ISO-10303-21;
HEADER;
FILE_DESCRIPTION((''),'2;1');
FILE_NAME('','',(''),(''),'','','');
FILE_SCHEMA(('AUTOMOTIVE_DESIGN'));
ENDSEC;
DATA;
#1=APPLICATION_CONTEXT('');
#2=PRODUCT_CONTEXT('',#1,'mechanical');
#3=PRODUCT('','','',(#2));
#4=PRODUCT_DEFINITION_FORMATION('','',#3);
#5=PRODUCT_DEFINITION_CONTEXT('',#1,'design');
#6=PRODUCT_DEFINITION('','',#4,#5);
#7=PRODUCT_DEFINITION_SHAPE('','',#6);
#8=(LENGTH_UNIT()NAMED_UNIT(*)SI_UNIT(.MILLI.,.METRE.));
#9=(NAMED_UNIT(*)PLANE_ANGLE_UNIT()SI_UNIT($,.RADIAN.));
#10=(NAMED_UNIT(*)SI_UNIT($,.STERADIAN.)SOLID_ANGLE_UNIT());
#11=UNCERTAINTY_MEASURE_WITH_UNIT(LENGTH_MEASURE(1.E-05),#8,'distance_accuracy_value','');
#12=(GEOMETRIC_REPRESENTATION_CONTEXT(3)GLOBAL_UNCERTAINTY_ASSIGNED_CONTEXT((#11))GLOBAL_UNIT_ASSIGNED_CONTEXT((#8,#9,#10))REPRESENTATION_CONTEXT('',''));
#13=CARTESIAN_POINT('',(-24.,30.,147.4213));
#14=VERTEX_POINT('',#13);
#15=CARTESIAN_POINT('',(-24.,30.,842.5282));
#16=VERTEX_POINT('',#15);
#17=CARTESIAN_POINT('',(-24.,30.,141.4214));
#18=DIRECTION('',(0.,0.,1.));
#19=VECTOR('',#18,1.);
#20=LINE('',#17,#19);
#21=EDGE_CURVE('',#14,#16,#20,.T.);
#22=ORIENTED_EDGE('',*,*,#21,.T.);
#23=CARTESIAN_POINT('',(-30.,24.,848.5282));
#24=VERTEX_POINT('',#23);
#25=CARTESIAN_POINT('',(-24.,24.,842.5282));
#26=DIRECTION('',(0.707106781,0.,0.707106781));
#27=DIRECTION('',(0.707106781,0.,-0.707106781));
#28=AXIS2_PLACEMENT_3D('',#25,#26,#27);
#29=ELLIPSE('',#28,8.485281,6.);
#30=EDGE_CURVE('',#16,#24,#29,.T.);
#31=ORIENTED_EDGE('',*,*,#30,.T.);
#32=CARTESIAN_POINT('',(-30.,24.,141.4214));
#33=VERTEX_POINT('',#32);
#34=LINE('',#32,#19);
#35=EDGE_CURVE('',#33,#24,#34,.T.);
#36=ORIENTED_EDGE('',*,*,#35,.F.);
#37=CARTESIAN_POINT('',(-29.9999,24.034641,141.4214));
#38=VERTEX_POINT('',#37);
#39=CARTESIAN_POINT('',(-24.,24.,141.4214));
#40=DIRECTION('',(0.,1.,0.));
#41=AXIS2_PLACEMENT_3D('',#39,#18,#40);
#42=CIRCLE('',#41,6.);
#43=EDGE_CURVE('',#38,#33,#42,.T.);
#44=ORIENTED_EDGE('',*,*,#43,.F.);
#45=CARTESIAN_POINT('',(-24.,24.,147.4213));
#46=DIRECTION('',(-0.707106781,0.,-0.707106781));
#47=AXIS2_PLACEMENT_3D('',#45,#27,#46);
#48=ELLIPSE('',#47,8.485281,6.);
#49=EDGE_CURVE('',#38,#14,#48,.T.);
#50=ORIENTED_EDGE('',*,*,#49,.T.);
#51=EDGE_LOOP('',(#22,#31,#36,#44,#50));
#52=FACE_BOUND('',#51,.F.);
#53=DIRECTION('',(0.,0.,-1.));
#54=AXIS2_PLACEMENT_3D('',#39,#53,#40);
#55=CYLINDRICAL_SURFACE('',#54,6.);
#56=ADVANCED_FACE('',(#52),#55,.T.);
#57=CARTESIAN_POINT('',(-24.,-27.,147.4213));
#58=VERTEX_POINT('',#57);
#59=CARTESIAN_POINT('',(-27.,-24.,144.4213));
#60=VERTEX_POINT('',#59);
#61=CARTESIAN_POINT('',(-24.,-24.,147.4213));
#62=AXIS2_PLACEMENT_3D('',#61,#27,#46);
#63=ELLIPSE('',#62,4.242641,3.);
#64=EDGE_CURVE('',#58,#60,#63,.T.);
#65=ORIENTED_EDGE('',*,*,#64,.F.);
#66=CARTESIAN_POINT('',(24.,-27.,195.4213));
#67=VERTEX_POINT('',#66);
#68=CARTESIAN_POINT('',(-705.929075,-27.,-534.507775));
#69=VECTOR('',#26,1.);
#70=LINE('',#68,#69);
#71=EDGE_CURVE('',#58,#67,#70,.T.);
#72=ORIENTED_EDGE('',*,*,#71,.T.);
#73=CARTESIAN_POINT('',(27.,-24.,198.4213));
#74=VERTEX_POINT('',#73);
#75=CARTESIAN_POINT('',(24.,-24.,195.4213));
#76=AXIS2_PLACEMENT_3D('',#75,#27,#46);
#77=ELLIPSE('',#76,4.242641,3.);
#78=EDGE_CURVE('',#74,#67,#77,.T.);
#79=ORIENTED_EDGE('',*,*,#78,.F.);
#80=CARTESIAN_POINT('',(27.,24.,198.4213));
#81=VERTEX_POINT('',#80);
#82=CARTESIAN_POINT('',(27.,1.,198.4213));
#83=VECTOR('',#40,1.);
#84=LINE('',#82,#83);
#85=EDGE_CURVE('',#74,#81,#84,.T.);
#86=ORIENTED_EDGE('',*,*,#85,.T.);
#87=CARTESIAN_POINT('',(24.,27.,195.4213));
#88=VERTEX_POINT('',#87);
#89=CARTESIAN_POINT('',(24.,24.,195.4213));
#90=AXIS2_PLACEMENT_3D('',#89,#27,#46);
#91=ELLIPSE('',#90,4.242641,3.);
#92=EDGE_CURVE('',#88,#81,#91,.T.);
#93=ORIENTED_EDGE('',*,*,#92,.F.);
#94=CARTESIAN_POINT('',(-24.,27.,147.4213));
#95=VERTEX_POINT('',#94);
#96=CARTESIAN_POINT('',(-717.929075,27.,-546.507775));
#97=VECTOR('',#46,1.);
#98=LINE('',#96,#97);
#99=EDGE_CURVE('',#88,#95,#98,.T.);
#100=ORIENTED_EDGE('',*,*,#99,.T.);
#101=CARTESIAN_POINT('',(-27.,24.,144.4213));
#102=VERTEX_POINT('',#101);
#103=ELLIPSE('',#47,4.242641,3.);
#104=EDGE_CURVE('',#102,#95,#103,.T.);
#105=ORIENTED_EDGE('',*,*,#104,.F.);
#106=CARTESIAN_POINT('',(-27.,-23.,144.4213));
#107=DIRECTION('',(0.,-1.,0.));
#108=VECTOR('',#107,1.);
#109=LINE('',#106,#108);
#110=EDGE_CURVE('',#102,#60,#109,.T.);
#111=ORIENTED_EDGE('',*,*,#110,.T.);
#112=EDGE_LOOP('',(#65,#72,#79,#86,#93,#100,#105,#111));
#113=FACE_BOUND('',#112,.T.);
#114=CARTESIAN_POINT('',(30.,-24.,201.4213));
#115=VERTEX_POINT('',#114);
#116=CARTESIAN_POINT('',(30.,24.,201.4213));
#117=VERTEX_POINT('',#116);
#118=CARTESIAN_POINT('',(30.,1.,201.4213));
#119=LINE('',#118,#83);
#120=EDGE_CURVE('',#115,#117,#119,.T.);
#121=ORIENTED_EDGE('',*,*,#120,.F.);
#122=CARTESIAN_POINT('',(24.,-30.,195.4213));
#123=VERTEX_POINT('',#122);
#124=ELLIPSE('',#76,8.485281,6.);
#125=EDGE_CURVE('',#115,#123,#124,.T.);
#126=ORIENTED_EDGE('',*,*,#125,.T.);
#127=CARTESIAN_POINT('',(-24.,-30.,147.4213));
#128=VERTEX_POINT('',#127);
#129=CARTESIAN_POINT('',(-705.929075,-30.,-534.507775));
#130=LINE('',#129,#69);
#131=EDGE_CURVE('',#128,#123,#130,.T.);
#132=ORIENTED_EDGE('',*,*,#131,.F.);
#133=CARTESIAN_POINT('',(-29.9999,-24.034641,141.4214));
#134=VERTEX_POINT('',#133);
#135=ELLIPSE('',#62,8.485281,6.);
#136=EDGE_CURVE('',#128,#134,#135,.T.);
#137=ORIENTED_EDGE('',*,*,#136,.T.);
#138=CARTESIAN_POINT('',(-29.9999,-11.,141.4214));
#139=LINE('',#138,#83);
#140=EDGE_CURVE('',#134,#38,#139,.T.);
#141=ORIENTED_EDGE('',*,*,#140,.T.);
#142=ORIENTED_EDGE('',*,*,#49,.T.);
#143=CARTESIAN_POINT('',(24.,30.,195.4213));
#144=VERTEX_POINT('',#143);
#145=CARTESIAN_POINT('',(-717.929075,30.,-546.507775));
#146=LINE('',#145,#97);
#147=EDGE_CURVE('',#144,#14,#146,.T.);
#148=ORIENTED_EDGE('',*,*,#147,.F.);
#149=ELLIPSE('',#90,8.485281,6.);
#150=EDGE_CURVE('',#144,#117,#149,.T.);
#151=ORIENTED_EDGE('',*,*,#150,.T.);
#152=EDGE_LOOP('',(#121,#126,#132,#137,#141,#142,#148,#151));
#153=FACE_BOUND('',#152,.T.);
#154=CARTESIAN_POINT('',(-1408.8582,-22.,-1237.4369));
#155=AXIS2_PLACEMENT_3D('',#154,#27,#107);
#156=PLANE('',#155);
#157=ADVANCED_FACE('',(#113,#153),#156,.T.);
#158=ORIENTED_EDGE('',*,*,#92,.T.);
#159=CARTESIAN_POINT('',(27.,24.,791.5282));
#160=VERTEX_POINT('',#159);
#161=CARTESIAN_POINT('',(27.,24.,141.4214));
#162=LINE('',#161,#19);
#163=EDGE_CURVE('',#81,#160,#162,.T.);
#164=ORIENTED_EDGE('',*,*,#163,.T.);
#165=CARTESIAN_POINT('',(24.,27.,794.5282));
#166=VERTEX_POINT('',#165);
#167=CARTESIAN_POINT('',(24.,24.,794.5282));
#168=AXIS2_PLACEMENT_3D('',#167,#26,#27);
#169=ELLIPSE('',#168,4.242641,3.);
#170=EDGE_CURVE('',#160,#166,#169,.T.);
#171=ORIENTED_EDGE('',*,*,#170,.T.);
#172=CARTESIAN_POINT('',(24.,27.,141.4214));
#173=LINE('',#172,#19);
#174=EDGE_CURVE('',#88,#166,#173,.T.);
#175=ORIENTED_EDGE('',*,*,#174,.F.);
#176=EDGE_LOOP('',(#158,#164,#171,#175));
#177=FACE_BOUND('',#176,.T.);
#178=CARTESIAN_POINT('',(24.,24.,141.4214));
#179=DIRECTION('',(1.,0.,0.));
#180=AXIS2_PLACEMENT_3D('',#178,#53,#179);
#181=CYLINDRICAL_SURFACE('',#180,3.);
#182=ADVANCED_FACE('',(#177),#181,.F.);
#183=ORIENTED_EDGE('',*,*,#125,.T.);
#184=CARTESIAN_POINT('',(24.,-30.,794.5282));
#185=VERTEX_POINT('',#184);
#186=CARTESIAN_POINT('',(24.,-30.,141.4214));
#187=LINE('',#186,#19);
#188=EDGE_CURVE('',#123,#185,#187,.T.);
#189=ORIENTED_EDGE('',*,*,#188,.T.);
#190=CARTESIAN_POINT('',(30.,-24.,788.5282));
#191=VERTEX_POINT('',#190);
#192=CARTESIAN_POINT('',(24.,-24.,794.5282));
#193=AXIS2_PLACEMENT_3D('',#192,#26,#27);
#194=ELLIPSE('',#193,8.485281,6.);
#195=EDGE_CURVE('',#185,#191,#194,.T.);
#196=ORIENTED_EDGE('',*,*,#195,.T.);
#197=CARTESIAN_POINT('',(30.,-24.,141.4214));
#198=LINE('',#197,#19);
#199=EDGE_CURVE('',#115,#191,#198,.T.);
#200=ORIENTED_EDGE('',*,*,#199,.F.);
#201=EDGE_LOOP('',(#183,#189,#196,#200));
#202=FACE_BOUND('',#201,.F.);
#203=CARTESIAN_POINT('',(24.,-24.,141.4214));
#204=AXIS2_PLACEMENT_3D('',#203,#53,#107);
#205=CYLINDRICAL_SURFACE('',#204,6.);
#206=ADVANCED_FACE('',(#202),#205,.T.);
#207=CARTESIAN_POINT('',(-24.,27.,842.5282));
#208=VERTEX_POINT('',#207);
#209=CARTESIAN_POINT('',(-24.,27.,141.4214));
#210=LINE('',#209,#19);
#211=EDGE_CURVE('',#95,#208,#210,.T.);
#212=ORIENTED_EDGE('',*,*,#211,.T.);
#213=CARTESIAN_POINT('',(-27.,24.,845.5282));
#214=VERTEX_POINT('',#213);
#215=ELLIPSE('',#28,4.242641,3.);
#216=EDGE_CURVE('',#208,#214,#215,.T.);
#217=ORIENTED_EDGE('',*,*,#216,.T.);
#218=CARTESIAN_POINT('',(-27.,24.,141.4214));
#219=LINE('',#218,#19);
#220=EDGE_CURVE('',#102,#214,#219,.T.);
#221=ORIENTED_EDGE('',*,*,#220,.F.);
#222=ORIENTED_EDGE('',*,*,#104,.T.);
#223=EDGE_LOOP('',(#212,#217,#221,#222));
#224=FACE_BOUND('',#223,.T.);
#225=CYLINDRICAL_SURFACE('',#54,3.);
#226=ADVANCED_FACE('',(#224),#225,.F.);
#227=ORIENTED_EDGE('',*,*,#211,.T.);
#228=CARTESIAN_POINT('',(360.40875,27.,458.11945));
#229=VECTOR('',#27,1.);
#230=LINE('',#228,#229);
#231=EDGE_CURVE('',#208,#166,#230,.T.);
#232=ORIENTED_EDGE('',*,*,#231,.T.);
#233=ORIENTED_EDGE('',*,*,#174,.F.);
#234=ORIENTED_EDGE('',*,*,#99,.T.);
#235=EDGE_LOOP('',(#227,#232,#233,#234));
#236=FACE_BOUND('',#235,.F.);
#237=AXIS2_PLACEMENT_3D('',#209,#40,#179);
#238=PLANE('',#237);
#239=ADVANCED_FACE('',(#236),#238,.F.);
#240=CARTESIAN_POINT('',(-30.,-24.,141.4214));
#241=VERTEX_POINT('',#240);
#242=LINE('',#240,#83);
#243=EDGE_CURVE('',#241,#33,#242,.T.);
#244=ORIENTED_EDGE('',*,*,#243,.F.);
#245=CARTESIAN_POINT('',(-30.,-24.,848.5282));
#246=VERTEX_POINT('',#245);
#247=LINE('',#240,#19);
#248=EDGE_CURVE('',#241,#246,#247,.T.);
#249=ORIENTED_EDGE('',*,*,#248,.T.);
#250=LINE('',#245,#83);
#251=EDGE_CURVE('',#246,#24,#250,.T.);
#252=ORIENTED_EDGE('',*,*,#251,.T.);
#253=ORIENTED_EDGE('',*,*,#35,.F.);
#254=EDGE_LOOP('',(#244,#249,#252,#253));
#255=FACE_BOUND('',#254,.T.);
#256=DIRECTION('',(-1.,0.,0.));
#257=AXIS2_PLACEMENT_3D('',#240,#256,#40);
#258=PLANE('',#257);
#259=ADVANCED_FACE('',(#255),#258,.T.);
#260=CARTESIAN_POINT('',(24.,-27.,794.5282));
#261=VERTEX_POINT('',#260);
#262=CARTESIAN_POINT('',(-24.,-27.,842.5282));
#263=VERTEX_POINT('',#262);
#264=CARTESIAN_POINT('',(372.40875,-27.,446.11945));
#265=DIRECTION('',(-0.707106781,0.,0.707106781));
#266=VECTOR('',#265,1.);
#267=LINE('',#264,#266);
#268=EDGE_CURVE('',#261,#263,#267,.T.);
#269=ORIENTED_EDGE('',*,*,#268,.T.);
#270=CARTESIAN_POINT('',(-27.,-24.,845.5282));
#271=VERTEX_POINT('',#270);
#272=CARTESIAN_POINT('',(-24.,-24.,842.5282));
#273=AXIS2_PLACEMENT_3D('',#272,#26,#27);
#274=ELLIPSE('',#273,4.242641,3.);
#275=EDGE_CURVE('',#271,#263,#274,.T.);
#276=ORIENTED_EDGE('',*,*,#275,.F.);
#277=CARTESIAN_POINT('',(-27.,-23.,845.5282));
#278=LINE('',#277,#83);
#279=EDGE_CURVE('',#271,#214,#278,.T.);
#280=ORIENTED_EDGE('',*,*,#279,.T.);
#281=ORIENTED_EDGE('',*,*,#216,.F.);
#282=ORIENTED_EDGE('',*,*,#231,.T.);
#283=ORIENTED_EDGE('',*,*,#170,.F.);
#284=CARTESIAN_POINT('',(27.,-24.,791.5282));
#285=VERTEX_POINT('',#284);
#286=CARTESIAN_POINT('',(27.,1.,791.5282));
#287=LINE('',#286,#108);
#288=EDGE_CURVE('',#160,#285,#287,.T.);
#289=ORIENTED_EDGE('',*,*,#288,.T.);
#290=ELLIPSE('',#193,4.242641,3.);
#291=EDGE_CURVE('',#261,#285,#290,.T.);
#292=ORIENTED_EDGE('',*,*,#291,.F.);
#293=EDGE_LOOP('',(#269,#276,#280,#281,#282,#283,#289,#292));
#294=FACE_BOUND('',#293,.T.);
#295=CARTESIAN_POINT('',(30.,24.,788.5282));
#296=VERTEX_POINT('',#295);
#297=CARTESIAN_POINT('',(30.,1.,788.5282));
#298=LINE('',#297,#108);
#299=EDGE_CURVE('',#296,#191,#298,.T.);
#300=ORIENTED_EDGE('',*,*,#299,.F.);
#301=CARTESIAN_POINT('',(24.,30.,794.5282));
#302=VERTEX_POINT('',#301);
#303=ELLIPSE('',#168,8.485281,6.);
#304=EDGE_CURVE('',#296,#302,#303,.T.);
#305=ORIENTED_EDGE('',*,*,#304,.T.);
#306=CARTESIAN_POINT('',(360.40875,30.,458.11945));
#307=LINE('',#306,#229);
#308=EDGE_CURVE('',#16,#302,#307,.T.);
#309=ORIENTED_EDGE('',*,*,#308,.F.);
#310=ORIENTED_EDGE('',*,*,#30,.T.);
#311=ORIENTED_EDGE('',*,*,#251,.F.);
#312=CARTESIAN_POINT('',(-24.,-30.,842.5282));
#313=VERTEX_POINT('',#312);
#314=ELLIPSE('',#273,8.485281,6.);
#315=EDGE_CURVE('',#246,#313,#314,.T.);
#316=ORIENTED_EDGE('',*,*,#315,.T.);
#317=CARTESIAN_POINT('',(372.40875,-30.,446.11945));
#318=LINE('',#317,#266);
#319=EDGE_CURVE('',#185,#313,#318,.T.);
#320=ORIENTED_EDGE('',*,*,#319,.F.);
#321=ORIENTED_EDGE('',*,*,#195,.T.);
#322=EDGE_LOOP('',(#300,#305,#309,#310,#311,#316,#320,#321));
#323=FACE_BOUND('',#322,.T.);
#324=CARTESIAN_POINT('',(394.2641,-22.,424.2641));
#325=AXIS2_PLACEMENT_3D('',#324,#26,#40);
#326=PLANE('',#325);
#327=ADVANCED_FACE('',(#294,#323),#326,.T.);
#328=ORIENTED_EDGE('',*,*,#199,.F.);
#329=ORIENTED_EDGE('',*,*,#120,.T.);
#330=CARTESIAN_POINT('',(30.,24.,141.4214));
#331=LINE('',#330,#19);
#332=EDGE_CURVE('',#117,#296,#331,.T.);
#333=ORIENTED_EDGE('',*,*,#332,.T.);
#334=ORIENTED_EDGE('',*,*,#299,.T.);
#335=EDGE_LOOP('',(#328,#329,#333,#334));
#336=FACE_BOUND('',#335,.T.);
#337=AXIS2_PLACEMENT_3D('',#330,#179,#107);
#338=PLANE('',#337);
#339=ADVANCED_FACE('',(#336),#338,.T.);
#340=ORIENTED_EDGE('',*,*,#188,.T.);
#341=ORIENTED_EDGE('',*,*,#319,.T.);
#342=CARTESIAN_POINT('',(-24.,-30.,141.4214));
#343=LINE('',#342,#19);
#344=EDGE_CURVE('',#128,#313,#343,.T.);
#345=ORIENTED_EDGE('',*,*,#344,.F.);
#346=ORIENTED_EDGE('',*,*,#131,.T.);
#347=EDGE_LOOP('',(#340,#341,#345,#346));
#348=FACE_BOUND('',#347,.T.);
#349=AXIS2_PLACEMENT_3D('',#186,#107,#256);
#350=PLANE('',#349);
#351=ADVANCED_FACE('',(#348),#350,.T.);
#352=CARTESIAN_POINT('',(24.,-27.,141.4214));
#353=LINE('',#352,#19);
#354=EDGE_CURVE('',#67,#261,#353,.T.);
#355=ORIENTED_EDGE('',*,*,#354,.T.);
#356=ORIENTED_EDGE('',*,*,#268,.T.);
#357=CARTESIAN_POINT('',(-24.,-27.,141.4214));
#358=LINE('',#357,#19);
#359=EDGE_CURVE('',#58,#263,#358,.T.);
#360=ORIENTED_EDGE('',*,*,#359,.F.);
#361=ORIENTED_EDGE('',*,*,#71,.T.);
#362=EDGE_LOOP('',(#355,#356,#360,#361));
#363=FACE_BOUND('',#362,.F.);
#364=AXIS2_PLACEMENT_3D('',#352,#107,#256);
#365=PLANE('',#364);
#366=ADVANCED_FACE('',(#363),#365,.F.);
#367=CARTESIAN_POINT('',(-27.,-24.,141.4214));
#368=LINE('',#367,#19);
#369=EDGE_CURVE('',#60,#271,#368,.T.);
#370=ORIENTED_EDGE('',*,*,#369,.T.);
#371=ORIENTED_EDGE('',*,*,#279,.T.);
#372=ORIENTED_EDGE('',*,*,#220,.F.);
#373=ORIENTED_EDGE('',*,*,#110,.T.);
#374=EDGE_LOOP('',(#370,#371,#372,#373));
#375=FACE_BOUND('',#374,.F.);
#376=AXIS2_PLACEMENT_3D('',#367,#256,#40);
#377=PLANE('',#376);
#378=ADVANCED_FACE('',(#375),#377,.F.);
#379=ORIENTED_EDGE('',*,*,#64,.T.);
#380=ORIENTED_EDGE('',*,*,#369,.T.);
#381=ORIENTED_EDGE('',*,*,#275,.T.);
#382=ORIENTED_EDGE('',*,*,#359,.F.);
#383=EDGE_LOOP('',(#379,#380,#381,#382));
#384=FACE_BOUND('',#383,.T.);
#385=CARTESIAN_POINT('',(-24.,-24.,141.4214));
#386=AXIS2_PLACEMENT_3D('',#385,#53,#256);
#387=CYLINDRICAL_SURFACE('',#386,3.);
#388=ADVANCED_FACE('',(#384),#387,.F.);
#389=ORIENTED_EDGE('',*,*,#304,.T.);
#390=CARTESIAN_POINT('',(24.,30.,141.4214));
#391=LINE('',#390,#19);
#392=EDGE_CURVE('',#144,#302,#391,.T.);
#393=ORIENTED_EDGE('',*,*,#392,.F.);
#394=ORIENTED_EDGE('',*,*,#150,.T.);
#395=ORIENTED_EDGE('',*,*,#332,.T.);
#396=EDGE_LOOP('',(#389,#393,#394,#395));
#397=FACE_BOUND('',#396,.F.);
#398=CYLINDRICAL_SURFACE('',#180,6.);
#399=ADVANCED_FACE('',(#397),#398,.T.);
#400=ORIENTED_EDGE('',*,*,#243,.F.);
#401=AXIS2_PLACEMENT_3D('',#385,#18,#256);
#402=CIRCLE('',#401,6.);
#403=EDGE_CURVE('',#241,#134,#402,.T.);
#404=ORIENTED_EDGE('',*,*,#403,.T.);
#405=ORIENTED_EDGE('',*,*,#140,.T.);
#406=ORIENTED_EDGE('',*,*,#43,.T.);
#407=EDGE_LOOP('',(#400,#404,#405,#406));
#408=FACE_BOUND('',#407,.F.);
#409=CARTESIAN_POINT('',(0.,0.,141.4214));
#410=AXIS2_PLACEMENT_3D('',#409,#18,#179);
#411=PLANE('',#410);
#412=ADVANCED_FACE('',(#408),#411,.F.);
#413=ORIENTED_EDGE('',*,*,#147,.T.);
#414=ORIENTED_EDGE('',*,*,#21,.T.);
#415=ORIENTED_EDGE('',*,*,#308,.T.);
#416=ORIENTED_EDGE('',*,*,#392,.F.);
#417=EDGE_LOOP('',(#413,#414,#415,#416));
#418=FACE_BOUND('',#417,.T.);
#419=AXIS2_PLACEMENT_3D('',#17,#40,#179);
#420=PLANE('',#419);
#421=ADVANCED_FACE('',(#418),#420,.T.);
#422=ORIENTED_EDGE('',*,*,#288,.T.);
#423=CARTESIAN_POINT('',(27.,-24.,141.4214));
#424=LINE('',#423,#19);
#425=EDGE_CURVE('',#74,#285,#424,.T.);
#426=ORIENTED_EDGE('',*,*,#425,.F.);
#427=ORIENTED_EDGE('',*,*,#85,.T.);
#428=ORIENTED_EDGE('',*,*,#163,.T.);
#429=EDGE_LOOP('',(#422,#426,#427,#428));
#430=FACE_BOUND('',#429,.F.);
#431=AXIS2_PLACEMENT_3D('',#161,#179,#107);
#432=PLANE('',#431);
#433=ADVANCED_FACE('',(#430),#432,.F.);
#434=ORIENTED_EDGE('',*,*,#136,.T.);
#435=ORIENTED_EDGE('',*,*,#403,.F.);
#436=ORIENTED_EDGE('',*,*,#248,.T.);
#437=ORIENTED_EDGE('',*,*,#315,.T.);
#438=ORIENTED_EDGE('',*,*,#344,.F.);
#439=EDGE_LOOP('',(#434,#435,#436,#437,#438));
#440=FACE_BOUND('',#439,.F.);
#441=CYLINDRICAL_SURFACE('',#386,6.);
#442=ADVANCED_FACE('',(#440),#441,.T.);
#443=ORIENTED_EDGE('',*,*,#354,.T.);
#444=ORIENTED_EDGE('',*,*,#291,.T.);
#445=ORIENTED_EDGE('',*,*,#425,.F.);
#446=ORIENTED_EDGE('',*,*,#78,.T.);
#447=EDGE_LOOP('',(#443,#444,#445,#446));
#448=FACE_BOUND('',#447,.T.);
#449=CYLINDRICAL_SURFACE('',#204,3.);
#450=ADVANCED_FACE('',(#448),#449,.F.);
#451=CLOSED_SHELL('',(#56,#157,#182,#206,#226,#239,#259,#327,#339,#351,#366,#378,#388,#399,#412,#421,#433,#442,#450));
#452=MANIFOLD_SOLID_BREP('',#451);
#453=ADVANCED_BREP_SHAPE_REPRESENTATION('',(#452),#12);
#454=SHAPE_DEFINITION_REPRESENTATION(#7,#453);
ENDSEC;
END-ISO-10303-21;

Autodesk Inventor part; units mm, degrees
ref_plane "Start plane" through (0, 0, 141.4214) normal (0, 0, 1) x (1, 0, 0)
ref_plane "End plane" through (0, 0, 848.5281) normal (0, 0, 1) x (1, 0, 0)
sketch "Sketch" plane through (0, 0, 0) normal (0, 0, 1) x (1, 0, 0)
  line L0 (-30, -24) -> (-30, 24)
  line L1 (-24, 30) -> (24, 30)
  line L2 (30, 24) -> (30, -24)
  line L3 (24, -30) -> (-24, -30)
  arc A0 (-30, -24) -> (-24, -30) centre (-24, -24) ccw
  arc A1 (30, 24) -> (24, 30) centre (24, 24) ccw
  arc A2 (-24, 30) -> (-30, 24) centre (-24, 24) ccw
  arc A3 (24, -30) -> (30, -24) centre (24, -24) ccw
  arc A4 (-24, 27) -> (-27, 24) centre (-24, 24) ccw
  line L4 (-24, 27) -> (24, 27)
  arc A5 (27, 24) -> (24, 27) centre (24, 24) ccw
  line L5 (27, 24) -> (27, -24)
  arc A6 (24, -27) -> (27, -24) centre (24, -24) ccw
  line L6 (24, -27) -> (-24, -27)
  arc A7 (-27, -24) -> (-24, -27) centre (-24, -24) ccw
  line L7 (-27, -24) -> (-27, 24)
  line L8 (0, 43.7397) -> (0, -43.7397) construction
  line L9 (-43.7397, 0) -> (43.7397, 0) construction
  dimension "d7" = 6
  dimension "d9" = 60
  dimension "d11" = 60
  dimension "d12" = 3
  dimension "d15" = 30
  dimension "d16" = 30
extrude "Body" add sketch "Sketch" along normal up to surface (707.1068 mm away) from surface at 141.4214
sketch "Sketch3" plane through (0, 0, 0) normal (0, 0, 1) x (1, 0, 0)
  line L0 (0, 0) -> (10, 0)
ref_plane "Work Plane3" through (0, 0, 0) normal (0, -1, 0) x (1, 0, 0)
ref_plane "Work Plane4" through (-1408.8582, -22, -1237.4369) normal (0.7071, 0, -0.7071) x (-0.7071, 0, -0.7071)
split "Split1" plane through (-1408.8582, -22, -1237.4369) removes the side toward (0.7071, 0, -0.7071)
ref_plane "Work Plane5" through (394.2641, -22, 424.2641) normal (0.7071, 0, 0.7071) x (0.7071, 0, -0.7071)
split "Split2" plane through (394.2641, -22, 424.2641) removes the side toward (0.7071, 0, 0.7071)
sketch "Sketch4" plane through (0, 0, 0) normal (0, -1, 0) x (1, 0, 0)
  line L0 (-2, 141.4214) -> (12, 141.4214) projected
  line L1 (-2, 848.5281) -> (12, 848.5281) projected
  dimension "d18" = 707.1068
equation "\"d7\" = G_IR"
equation "\"d9\" = G_W"
equation "\"d11\" = G_H"
equation "\"d12\" = G_T"
equation "\"d15\" = 0.5 * d9"
equation "\"d16\" = 0.5 * d11"
equation "\"d3\" = G_L"
equation "\"G_W\" = 60"
equation "\"G_H\" = 60"
equation "\"G_T\" = 3"
equation "\"G_IR\" = 6"
equation "\"G_L\" = d18"
equation "\"G_OFFSET_START\" = -141.42136"
equation "\"G_OFFSET_END\" = -141.42136"
equation "\"d13\" = -G_OFFSET_START"
equation "\"d14\" = G_OFFSET_END + B_L"
equation "\"B_L\" = 989.94949"
properties part number "ISO 10799-2 - 60x60x3 - 707.11" material "Steel, Mild"
